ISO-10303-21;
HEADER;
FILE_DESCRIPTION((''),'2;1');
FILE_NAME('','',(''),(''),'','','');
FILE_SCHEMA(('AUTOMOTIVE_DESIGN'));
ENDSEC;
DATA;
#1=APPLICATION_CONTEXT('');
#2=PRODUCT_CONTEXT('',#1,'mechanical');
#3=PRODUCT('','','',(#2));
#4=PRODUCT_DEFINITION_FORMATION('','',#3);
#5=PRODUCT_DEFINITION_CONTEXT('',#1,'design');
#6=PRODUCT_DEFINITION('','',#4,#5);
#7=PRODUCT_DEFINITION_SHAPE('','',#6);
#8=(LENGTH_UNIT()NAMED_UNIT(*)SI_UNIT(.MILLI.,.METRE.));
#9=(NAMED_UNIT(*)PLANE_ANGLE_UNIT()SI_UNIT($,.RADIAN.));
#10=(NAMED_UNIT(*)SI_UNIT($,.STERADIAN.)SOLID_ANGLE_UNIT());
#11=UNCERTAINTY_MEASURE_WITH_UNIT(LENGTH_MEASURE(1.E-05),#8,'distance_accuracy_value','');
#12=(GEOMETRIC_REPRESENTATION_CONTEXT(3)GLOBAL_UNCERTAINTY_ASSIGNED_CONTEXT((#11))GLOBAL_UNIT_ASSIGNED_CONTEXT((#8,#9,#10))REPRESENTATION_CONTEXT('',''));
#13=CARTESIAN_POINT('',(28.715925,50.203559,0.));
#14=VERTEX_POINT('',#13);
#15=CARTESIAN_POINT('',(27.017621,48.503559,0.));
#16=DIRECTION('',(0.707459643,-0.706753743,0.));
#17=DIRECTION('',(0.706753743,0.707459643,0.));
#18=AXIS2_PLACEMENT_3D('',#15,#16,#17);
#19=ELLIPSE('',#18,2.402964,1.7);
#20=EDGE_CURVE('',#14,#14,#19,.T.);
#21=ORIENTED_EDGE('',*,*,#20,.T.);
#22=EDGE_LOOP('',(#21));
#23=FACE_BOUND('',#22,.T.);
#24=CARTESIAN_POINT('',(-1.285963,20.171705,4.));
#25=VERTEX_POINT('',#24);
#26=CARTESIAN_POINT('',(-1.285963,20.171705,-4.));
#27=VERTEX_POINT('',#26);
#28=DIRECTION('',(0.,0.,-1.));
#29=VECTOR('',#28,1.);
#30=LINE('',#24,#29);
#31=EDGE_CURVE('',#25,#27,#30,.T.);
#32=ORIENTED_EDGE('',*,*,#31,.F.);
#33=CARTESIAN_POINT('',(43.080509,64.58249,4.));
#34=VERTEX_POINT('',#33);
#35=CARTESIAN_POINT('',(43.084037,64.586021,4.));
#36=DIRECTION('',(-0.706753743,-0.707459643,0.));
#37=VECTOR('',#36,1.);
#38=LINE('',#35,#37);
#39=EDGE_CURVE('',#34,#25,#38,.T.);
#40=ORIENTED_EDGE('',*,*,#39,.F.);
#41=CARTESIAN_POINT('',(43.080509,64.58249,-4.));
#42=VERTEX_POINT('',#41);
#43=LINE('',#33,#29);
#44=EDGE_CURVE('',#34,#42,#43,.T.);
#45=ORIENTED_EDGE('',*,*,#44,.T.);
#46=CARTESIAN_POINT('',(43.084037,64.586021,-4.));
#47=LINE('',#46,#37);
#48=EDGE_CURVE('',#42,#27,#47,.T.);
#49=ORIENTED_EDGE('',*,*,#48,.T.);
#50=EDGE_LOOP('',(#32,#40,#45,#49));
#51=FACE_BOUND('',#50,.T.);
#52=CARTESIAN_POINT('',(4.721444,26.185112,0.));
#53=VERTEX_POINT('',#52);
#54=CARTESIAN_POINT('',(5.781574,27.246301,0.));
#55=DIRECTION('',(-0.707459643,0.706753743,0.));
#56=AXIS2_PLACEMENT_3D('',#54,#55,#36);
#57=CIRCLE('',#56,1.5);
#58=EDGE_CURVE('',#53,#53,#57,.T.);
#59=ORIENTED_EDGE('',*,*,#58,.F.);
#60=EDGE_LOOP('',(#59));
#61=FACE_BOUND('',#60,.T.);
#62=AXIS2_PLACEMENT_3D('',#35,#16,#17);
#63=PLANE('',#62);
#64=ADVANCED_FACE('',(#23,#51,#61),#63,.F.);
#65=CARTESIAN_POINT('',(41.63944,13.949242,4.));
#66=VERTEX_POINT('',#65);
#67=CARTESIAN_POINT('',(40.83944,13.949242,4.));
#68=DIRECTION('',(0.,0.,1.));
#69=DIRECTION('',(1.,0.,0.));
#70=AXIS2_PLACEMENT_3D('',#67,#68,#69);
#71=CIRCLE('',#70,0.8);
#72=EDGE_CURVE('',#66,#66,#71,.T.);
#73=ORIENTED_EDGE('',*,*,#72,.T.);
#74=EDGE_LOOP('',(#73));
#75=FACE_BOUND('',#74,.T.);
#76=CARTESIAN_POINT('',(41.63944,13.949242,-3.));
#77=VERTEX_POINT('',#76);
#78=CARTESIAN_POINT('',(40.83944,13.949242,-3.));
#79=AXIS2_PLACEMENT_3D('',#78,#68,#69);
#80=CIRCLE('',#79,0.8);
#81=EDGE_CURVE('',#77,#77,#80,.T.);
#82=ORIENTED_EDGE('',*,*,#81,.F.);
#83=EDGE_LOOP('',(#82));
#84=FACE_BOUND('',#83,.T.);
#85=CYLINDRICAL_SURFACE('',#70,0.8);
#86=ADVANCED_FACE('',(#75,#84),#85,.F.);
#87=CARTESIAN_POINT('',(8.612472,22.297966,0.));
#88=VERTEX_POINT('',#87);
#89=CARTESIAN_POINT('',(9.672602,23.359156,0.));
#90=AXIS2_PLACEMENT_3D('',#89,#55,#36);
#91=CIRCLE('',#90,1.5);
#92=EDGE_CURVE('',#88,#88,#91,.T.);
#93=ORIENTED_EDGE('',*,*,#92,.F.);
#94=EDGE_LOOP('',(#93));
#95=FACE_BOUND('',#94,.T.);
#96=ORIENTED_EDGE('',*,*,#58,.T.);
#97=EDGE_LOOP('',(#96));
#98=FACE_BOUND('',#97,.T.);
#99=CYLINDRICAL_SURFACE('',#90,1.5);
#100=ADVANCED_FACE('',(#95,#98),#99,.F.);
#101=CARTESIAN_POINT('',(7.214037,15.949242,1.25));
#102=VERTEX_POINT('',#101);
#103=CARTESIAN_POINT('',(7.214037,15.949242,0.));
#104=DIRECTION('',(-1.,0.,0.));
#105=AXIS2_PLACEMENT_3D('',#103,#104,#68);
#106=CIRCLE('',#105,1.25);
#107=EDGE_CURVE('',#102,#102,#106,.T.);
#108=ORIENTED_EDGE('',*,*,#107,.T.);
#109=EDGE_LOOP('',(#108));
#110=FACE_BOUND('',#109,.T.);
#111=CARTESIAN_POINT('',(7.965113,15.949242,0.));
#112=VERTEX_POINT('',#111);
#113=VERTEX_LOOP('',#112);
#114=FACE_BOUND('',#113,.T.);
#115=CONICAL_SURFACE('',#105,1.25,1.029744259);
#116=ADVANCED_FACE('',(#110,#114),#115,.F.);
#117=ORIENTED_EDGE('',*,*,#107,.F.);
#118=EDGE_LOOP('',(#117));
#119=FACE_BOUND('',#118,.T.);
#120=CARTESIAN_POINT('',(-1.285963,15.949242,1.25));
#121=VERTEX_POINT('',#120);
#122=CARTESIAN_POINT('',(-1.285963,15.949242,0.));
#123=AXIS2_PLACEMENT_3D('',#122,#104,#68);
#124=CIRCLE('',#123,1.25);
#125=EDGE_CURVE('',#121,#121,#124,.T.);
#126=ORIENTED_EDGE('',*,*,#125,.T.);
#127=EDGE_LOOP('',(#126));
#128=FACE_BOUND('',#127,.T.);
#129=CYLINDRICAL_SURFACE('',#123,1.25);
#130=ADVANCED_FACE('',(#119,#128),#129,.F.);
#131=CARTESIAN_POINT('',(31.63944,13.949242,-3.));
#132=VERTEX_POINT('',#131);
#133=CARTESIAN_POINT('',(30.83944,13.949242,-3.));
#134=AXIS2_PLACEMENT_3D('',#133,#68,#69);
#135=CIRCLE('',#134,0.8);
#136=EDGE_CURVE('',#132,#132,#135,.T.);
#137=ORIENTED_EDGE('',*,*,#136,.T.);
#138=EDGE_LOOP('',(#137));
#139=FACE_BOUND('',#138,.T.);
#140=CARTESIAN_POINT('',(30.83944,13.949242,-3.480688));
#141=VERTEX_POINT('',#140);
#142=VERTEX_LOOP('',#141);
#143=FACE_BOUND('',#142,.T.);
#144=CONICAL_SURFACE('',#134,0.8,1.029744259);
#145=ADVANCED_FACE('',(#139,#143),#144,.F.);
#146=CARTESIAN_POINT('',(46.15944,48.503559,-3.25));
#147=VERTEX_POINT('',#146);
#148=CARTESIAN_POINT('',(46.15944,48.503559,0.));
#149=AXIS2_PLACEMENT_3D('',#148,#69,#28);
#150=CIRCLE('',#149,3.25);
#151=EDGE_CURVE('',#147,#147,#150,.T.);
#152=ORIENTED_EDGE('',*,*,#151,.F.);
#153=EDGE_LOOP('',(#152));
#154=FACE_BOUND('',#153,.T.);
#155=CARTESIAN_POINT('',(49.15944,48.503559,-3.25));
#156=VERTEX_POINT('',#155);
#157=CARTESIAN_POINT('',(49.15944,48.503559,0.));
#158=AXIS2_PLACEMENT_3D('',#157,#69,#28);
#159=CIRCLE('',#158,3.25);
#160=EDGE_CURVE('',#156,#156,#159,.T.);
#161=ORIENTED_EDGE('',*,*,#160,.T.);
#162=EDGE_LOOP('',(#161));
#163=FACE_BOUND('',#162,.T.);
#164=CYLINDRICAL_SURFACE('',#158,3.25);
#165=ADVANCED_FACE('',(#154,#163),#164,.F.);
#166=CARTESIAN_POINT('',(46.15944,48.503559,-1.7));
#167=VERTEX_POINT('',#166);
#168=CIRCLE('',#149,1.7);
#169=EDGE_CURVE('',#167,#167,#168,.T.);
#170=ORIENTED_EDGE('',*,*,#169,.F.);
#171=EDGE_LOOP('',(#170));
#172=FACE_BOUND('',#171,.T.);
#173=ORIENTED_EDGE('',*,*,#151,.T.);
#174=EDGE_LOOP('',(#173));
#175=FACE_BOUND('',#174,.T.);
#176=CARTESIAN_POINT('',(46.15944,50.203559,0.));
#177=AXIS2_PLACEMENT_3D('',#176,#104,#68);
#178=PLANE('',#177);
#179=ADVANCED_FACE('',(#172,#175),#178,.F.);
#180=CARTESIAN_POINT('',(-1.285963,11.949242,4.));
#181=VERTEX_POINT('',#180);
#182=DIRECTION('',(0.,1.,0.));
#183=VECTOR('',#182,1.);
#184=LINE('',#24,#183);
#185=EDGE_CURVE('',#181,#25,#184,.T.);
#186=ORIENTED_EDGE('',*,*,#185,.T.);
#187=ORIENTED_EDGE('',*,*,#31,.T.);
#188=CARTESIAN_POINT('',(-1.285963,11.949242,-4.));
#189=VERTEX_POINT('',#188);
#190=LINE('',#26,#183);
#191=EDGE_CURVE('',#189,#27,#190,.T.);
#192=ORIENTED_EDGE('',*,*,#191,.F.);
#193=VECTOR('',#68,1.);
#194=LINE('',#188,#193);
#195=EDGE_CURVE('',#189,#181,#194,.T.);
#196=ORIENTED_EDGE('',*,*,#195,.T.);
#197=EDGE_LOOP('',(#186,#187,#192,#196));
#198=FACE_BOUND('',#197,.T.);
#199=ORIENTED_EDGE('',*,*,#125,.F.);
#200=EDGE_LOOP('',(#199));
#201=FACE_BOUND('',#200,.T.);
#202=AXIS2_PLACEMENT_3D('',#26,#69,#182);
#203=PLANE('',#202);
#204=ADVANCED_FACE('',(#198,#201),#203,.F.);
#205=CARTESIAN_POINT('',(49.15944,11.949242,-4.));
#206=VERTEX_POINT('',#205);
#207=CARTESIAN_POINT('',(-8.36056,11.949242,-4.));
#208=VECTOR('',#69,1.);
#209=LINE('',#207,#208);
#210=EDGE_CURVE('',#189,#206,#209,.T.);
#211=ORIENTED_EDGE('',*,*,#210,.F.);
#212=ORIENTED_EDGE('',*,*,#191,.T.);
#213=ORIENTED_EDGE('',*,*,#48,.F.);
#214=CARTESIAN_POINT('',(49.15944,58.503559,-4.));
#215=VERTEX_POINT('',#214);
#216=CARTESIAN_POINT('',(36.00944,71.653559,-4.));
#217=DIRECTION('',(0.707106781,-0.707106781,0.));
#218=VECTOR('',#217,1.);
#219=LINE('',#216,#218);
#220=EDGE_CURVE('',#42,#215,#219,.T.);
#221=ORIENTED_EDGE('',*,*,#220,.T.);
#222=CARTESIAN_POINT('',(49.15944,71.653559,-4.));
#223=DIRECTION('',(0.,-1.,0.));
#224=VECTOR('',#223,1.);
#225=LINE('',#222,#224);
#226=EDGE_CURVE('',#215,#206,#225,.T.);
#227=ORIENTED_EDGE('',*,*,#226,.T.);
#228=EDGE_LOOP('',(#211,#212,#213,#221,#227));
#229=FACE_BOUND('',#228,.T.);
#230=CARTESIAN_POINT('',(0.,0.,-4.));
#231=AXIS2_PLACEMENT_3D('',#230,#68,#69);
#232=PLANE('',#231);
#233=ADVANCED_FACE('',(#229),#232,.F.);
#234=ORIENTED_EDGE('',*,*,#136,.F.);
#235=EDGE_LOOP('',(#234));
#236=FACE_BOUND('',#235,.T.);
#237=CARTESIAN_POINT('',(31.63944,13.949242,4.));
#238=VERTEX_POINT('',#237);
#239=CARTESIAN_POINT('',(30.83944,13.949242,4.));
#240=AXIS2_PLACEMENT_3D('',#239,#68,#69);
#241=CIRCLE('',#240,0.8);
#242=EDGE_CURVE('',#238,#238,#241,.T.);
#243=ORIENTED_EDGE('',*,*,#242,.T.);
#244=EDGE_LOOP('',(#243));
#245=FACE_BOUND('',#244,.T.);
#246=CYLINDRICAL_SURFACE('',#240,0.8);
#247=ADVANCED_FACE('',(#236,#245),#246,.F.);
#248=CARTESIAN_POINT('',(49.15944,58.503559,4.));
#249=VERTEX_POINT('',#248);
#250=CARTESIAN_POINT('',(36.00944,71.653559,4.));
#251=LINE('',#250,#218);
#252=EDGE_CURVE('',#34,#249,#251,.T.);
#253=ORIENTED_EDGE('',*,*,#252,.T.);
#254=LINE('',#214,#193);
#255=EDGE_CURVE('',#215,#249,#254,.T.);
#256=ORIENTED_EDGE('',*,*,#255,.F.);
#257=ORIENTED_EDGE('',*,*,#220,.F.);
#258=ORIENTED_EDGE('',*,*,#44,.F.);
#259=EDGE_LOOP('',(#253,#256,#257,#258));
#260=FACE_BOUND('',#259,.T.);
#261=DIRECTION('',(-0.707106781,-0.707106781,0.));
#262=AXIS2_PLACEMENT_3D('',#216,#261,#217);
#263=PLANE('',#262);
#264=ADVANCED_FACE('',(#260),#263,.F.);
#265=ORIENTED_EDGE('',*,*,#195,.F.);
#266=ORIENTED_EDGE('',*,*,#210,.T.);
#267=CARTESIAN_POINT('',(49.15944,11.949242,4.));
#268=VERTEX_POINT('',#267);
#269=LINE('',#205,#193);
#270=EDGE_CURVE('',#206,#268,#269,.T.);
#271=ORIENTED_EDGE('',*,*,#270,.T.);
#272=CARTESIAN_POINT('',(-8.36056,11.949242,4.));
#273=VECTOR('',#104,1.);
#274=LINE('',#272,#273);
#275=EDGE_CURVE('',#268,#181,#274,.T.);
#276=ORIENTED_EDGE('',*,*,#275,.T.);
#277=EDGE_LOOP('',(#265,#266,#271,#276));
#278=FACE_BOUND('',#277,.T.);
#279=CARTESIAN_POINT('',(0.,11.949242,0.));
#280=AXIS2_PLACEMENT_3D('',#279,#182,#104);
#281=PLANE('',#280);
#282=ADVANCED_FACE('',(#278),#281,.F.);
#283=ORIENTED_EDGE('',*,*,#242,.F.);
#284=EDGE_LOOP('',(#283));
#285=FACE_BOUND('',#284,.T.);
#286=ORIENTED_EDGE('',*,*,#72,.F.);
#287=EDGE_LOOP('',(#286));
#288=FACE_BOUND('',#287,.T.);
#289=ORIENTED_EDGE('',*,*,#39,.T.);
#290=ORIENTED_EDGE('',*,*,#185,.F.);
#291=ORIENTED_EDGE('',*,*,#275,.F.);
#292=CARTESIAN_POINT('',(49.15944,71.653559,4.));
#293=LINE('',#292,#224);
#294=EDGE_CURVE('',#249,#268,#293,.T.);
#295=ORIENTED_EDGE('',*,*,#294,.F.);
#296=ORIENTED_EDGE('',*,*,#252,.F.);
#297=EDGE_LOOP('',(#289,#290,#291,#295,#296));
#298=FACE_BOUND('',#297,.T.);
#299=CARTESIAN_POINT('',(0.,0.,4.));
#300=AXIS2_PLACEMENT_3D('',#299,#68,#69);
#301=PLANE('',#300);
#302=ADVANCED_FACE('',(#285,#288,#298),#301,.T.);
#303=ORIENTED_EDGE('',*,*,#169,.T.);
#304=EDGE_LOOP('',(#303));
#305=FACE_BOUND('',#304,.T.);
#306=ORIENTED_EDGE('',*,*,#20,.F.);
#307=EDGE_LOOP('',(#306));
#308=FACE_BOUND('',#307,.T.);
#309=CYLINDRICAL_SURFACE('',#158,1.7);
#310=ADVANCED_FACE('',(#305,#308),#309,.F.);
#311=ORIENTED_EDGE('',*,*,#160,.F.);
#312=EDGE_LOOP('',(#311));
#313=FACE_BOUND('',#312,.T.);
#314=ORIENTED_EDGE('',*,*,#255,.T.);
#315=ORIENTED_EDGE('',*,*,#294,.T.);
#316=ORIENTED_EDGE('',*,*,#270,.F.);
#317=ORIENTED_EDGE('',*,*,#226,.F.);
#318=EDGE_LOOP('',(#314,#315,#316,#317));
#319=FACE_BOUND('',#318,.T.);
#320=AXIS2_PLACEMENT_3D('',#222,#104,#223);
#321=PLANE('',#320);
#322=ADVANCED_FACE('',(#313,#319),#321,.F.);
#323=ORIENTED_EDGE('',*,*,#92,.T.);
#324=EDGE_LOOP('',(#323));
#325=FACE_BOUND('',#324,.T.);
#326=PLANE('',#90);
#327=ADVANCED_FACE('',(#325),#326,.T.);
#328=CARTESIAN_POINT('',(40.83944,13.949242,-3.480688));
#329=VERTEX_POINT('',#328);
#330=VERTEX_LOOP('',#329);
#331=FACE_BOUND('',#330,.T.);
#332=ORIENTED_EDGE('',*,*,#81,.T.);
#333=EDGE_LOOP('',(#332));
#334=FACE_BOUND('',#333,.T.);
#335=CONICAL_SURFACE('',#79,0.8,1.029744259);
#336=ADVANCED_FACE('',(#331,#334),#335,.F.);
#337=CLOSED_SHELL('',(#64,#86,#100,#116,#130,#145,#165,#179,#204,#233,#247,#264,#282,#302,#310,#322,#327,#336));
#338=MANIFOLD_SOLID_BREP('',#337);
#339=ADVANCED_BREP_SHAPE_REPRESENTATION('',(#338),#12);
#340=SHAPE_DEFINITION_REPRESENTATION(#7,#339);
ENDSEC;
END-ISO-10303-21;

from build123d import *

# Parameters (mm, degrees)
BOSS_EXTRUDE1_DEPTH            = 4
SKETCH3_W                      = 59.68
SKETCH3_H                      = 8
BOSS_EXTRUDE2_DEPTH            = 5.46
SKETCH5_W                      = 2.16
SKETCH5_H                      = 59.704316385
CUT_EXTRUDE2_DEPTH             = 9
CUT_EXTRUDE3_DEPTH             = 9
CBORE_FOR_M3_SHCS2_D           = 3.4
CBORE_FOR_M3_SHCS2_CBORE_D     = 6.5
CBORE_FOR_M3_SHCS2_CBORE_DEPTH = 3
M2X0_4_TAPPED_HOLE1_D          = 1.6
M2X0_4_TAPPED_HOLE1_DEPTH      = 7
M2X0_4_TAPPED_HOLE1_TIP        = 0.480688495
CUT_EXTRUDE4_DEPTH             = 9
SKETCH22_R                     = 1.5
CUT_EXTRUDE6_DEPTH             = 5.5
M3X0_5_TAPPED_HOLE2_D          = 2.5
M3X0_5_TAPPED_HOLE2_DEPTH      = 8.5
M3X0_5_TAPPED_HOLE2_TIP        = 0.751075774


with BuildPart() as part:
    # Sketch2 → Boss-Extrude1 (new body, symmetric)
    with BuildSketch(Plane.XY):
        Polygon((-8.360559535, 17.409242356), (51.319440465, 17.409242356), (51.319440465, 71.653558741), (36.009440465, 71.653558741), (43.084036895, 64.586021309), (-1.285963105, 20.171704924), (-8.360559535, 27.239242356), align=None)
    extrude(amount=BOSS_EXTRUDE1_DEPTH, both=True)

    # Sketch3 → Boss-Extrude2 (add)
    with BuildSketch(Plane.XZ.offset(-17.409242356)):
        with Locations((21.479440465, 0)):
            Rectangle(SKETCH3_W, SKETCH3_H)
    extrude(amount=BOSS_EXTRUDE2_DEPTH)

    # Sketch5 → Cut-Extrude2 (cut, through all)
    with BuildSketch(Plane.XY.offset(4)):
        with Locations((50.239440465, 41.801400548)):
            Rectangle(SKETCH5_W, SKETCH5_H)
    extrude(amount=-CUT_EXTRUDE2_DEPTH, mode=Mode.SUBTRACT)

    # Sketch9 → Cut-Extrude3 (cut, through all)
    with BuildSketch(Plane.XY.offset(4)):
        Polygon((36.009440465, 71.653558741), (49.159440465, 58.503558741), (49.159440465, 71.653558741), align=None)
    extrude(amount=-CUT_EXTRUDE3_DEPTH, mode=Mode.SUBTRACT)

    # CBORE for M3 SHCS2 (through all)
    with Locations(Plane(origin=(49.159440465, 0, 0), x_dir=(0, 0, -1), z_dir=(1, 0, 0))):
        with Locations((0, 48.503558741)):
            CounterBoreHole(CBORE_FOR_M3_SHCS2_D / 2, CBORE_FOR_M3_SHCS2_CBORE_D / 2, CBORE_FOR_M3_SHCS2_CBORE_DEPTH)

    # M2x0.4 Tapped Hole1
    with Locations(Plane.XY.offset(4)):
        with Locations((30.839440465, 13.949242356), (40.839440465, 13.949242356)):
            Hole(M2X0_4_TAPPED_HOLE1_D / 2, depth=M2X0_4_TAPPED_HOLE1_DEPTH)
            with Locations((0, 0, -(M2X0_4_TAPPED_HOLE1_DEPTH + M2X0_4_TAPPED_HOLE1_TIP / 2))):  # 118° drill point
                Cone(0, M2X0_4_TAPPED_HOLE1_D / 2, M2X0_4_TAPPED_HOLE1_TIP, mode=Mode.SUBTRACT)

    # Sketch20 → Cut-Extrude4 (cut, through all)
    with BuildSketch(Plane.XY.offset(4)):
        Polygon((-1.285963105, 20.171704924), (-1.285963105, 11.949242356), (-8.360559535, 11.949242356), (-8.360559535, 27.239242356), align=None)
    extrude(amount=-CUT_EXTRUDE4_DEPTH, mode=Mode.SUBTRACT)

    # Sketch22 → Cut-Extrude6 (cut)
    with BuildSketch(Plane(origin=(-10.729470873, 10.71876506, 0), x_dir=(0, 0, 1), z_dir=(-0.707459643, 0.706753743, 0))):
        with Locations((0, 23.361807925)):
            Circle(SKETCH22_R)
    extrude(amount=-CUT_EXTRUDE6_DEPTH, mode=Mode.SUBTRACT)

    # M3x0.5 Tapped Hole2
    with Locations(Plane.ZY.offset(1.285963105)):
        with Locations((0, 15.949242356)):
            Hole(M3X0_5_TAPPED_HOLE2_D / 2, depth=M3X0_5_TAPPED_HOLE2_DEPTH)
            with Locations((0, 0, -(M3X0_5_TAPPED_HOLE2_DEPTH + M3X0_5_TAPPED_HOLE2_TIP / 2))):  # 118° drill point
                Cone(0, M3X0_5_TAPPED_HOLE2_D / 2, M3X0_5_TAPPED_HOLE2_TIP, mode=Mode.SUBTRACT)


solid = part.part
